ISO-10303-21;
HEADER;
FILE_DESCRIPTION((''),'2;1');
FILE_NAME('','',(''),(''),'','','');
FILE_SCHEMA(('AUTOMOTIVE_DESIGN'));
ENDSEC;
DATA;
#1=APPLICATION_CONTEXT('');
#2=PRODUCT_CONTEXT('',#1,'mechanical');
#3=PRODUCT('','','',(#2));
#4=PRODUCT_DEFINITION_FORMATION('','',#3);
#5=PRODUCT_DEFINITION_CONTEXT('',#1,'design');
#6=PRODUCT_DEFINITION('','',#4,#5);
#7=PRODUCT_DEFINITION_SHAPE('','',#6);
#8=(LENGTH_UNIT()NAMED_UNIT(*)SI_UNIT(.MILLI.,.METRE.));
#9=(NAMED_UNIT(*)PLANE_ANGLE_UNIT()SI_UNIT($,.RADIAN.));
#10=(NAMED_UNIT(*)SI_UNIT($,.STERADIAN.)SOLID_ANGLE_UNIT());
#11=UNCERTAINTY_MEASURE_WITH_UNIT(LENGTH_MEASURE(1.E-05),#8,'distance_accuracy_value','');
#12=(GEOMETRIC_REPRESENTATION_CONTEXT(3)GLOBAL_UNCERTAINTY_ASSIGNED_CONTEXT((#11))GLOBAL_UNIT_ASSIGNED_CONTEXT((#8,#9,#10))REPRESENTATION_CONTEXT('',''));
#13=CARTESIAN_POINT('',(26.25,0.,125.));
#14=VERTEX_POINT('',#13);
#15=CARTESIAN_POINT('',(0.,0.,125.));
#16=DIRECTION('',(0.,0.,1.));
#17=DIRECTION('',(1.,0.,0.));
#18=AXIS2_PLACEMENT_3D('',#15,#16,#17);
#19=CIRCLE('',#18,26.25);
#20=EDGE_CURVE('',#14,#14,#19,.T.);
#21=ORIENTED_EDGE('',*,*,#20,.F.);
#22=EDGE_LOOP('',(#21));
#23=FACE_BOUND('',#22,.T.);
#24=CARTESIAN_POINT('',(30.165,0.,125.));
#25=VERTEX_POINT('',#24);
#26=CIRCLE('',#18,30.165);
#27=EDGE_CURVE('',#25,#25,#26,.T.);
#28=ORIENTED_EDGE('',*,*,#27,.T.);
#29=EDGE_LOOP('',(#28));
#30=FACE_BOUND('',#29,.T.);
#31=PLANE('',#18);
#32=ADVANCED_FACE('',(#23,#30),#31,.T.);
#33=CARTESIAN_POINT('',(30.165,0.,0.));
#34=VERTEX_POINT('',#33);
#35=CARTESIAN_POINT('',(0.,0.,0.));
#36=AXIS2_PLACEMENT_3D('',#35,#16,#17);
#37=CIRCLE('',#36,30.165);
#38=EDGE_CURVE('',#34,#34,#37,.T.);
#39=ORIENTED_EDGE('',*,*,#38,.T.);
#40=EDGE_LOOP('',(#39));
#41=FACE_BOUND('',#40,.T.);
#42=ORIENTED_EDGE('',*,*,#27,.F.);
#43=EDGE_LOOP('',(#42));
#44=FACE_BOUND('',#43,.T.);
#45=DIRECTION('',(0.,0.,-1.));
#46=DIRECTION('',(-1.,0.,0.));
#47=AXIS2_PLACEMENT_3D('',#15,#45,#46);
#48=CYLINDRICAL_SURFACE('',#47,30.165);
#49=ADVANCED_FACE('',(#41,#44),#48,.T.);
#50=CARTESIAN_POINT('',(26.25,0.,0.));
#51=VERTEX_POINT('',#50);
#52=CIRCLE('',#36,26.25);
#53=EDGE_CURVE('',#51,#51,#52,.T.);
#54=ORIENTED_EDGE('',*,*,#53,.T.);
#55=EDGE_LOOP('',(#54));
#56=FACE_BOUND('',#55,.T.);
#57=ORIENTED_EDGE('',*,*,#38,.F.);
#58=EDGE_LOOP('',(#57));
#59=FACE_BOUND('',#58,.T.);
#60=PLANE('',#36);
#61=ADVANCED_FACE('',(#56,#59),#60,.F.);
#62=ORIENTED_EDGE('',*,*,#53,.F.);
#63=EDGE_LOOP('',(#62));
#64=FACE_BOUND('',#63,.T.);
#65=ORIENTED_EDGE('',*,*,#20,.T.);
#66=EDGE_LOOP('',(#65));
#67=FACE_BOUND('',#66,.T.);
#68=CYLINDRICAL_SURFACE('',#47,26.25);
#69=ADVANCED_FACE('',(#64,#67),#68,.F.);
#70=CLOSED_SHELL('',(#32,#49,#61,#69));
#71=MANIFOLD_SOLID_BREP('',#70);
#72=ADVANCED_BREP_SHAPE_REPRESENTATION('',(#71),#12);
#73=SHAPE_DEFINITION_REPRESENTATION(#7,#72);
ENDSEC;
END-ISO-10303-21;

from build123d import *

# Parameters (mm, degrees)
CROQUIS1_R              = 30.165
CROQUIS1_R_2            = 26.25
SALIENTE_EXTRUIR1_DEPTH = 125


with BuildPart() as part:
    # Croquis1 → Saliente-Extruir1 (new body)
    with BuildSketch(Plane.XY):
        Circle(CROQUIS1_R)
        Circle(CROQUIS1_R_2, mode=Mode.SUBTRACT)
    extrude(amount=SALIENTE_EXTRUIR1_DEPTH)


solid = part.part
